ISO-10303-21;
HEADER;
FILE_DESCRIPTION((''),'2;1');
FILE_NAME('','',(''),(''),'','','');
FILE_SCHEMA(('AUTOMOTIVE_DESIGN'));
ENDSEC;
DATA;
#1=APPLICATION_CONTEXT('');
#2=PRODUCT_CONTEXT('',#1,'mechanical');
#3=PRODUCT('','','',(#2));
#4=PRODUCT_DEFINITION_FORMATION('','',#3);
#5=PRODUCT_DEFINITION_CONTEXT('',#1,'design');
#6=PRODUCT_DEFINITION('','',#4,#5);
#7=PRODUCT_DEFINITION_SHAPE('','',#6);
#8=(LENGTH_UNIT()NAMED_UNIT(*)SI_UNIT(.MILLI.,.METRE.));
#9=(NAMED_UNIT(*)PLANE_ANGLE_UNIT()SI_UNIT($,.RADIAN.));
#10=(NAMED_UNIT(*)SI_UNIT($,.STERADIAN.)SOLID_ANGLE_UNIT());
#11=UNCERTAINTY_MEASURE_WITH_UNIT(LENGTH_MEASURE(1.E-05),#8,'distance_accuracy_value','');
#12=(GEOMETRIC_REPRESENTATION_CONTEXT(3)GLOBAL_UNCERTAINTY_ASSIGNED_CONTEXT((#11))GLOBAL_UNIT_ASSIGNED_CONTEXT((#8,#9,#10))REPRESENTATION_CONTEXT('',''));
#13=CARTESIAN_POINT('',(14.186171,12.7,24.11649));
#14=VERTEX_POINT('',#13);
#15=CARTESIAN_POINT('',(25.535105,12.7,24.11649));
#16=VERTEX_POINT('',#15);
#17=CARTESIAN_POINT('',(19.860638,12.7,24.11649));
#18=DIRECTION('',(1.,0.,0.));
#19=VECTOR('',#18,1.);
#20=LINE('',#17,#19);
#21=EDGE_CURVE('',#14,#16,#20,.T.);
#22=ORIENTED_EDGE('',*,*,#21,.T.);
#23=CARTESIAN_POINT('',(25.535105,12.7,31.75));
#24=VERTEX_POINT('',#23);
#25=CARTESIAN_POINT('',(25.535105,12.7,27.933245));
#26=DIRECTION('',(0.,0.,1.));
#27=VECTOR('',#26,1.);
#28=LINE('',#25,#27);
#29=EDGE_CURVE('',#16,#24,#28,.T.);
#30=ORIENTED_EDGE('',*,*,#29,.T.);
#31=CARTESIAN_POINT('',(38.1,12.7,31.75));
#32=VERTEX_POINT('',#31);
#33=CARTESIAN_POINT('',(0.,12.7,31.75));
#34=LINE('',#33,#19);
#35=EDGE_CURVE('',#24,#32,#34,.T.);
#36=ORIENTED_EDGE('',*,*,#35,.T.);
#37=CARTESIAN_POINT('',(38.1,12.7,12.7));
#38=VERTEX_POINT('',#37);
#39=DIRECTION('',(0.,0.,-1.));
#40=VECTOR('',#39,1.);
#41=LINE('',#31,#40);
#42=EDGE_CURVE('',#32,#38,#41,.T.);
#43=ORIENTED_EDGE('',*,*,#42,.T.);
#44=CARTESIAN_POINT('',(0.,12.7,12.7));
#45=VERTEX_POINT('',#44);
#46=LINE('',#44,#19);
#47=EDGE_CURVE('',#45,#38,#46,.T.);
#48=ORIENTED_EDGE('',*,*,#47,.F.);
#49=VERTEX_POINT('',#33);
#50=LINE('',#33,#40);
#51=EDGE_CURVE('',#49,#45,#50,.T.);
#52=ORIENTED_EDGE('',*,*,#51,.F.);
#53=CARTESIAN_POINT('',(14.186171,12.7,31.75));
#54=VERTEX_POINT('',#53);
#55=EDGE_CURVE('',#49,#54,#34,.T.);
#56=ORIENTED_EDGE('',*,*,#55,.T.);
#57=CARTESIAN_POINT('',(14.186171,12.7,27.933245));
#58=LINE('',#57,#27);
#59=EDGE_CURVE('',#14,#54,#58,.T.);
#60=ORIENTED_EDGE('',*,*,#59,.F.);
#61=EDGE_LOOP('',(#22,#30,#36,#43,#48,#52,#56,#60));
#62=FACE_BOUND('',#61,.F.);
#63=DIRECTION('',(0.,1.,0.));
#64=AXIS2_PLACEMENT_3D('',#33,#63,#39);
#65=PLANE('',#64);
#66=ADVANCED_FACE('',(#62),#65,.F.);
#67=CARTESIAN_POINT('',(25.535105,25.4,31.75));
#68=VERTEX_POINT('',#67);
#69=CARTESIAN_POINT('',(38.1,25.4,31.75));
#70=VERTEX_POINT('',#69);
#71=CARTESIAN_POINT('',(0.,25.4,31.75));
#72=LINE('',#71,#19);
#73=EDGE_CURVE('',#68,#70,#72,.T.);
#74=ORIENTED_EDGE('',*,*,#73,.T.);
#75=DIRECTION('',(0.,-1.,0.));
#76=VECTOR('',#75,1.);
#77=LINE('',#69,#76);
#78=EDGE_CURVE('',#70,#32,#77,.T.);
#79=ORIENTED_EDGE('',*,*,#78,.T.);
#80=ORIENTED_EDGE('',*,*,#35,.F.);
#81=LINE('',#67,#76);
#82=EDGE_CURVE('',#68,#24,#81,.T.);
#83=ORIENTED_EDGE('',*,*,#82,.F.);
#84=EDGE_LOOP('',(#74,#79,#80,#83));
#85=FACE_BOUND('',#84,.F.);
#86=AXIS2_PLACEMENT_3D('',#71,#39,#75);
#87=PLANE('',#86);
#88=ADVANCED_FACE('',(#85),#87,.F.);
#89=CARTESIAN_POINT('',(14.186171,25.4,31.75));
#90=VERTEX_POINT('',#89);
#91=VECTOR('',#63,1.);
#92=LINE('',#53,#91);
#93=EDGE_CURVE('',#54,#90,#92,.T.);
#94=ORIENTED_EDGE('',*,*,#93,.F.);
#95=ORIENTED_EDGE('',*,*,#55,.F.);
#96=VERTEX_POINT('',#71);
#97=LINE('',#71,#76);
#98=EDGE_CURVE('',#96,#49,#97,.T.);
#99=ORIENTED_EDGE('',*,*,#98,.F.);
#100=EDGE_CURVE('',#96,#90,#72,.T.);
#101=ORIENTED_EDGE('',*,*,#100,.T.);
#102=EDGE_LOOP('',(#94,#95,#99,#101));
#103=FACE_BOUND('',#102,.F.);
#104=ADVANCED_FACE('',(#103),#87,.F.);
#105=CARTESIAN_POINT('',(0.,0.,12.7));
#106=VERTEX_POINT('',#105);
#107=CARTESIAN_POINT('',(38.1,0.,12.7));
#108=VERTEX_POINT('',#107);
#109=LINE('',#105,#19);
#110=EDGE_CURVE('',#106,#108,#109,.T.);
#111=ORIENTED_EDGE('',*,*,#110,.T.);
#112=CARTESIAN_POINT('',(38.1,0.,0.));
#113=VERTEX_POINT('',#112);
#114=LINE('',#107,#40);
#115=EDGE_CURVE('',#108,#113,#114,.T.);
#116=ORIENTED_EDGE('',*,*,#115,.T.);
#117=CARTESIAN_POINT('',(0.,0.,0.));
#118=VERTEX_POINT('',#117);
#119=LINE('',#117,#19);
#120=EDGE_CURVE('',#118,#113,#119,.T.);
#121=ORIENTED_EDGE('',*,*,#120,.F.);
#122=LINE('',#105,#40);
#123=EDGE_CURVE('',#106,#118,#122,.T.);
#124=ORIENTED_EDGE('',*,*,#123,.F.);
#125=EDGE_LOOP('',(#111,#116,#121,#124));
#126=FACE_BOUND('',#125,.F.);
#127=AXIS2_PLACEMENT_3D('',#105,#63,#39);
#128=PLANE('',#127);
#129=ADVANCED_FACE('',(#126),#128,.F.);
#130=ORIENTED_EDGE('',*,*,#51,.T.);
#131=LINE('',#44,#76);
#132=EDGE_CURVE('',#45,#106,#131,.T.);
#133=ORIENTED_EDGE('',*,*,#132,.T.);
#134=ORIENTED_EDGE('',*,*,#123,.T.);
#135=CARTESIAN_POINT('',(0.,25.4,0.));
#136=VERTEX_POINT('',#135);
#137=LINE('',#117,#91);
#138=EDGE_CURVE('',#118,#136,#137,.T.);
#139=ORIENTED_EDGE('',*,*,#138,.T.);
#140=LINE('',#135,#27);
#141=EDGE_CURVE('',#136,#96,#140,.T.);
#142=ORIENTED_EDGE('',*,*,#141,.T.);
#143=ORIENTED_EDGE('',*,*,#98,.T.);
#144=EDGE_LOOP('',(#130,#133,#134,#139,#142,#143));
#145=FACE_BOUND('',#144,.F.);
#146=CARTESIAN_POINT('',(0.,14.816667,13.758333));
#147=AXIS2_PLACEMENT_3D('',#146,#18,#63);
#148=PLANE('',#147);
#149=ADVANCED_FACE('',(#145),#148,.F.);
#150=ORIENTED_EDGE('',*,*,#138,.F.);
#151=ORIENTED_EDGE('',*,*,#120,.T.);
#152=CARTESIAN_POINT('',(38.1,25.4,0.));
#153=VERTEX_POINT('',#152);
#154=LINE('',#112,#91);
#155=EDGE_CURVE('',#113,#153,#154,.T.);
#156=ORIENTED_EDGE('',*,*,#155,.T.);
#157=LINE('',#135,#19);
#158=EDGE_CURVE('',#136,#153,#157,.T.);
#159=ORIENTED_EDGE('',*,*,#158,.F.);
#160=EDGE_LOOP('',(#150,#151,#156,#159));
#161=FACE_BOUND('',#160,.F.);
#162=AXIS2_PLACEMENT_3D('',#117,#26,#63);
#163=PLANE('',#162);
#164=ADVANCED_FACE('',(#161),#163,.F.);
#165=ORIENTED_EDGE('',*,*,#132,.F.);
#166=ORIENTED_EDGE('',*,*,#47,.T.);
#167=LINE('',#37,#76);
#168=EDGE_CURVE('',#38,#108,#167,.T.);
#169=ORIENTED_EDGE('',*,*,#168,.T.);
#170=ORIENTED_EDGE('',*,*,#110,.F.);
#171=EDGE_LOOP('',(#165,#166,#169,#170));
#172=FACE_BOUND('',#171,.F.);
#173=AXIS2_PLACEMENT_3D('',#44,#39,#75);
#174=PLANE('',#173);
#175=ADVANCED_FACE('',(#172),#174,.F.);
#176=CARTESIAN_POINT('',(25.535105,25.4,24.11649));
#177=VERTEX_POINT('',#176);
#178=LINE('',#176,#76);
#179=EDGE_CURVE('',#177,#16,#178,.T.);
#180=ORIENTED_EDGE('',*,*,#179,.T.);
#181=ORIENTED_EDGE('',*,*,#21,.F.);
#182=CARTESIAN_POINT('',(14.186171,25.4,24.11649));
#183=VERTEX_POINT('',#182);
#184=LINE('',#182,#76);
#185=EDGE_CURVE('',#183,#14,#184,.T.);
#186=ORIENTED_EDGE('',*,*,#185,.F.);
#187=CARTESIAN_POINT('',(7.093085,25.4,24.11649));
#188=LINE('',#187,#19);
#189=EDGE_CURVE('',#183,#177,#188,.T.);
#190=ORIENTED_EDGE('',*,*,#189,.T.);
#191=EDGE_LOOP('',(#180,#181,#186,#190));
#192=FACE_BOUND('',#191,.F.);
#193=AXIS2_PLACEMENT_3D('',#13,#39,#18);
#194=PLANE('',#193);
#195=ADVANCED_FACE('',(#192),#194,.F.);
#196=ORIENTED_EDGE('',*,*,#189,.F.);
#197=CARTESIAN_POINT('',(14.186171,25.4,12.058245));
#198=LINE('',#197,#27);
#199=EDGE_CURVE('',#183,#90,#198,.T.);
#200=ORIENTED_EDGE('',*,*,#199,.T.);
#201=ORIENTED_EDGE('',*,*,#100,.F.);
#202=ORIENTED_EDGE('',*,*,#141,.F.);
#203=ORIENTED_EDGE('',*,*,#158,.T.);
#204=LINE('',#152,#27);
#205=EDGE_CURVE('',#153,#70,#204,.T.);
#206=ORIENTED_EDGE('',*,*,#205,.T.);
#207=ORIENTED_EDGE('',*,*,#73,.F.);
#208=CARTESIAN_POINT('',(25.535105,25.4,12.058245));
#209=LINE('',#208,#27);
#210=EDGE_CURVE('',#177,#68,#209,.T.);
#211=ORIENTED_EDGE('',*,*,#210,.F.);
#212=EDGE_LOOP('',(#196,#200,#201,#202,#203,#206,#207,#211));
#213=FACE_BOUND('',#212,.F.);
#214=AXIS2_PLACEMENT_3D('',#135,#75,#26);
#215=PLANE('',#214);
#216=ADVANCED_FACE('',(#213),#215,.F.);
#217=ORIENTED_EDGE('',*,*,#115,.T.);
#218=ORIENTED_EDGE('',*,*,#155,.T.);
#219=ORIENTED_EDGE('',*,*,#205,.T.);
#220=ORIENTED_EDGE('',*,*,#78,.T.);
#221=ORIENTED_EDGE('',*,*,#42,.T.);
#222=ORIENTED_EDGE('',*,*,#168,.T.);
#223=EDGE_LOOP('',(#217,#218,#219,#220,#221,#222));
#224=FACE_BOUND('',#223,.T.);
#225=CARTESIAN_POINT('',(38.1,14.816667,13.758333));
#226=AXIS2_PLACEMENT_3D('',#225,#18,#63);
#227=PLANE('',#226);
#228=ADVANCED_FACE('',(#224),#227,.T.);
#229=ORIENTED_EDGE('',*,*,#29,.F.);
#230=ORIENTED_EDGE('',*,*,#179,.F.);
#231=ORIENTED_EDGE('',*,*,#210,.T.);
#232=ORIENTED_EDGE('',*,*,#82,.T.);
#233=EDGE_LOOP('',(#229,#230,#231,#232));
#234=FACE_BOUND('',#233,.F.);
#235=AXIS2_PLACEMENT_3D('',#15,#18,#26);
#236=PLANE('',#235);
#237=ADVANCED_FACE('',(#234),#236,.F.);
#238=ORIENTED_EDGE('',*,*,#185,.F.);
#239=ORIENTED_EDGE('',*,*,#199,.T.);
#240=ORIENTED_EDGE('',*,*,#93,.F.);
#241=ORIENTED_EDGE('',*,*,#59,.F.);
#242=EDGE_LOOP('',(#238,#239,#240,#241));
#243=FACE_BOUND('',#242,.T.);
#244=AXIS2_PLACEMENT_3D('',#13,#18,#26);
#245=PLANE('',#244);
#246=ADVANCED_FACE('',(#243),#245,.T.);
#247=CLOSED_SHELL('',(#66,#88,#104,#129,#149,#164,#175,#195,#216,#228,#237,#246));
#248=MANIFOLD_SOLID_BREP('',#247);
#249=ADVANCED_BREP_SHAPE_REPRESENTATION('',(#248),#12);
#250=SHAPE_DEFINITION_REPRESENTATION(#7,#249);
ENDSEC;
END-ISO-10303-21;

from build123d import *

# Parameters (mm, degrees)
F1_DEPTH = 38.1
F2_W     = 11.3489339128
F2_H     = 7.6335099638
F3_DEPTH = 6.35
F4_DEPTH = 12.7


with BuildPart() as f1:
    # F0 (on Right) → F1 (new body)
    with BuildSketch(Plane.YZ):
        Polygon((0, 12.7), (0, 0), (25.4, 0), (25.4, 31.75), (12.7, 31.75), (12.7, 12.7), align=None)
    extrude(amount=F1_DEPTH)

    # F2 (on face) → F3 (cut)
    with BuildSketch(Plane.XZ.offset(-12.7)):
        with Locations((19.8606378399, 27.9332450181)):
            Rectangle(F2_W, F2_H)
    extrude(amount=-F3_DEPTH, mode=Mode.SUBTRACT)

    # F4 (cut): a face of the model
    f4_faces = [f1.faces().sort_by_distance(p)[0] for p in [
        (19.8606378399, 19.05, 27.9332450181),
    ]]
    extrude(f4_faces, amount=-F4_DEPTH, mode=Mode.SUBTRACT)


solid = f1.part
